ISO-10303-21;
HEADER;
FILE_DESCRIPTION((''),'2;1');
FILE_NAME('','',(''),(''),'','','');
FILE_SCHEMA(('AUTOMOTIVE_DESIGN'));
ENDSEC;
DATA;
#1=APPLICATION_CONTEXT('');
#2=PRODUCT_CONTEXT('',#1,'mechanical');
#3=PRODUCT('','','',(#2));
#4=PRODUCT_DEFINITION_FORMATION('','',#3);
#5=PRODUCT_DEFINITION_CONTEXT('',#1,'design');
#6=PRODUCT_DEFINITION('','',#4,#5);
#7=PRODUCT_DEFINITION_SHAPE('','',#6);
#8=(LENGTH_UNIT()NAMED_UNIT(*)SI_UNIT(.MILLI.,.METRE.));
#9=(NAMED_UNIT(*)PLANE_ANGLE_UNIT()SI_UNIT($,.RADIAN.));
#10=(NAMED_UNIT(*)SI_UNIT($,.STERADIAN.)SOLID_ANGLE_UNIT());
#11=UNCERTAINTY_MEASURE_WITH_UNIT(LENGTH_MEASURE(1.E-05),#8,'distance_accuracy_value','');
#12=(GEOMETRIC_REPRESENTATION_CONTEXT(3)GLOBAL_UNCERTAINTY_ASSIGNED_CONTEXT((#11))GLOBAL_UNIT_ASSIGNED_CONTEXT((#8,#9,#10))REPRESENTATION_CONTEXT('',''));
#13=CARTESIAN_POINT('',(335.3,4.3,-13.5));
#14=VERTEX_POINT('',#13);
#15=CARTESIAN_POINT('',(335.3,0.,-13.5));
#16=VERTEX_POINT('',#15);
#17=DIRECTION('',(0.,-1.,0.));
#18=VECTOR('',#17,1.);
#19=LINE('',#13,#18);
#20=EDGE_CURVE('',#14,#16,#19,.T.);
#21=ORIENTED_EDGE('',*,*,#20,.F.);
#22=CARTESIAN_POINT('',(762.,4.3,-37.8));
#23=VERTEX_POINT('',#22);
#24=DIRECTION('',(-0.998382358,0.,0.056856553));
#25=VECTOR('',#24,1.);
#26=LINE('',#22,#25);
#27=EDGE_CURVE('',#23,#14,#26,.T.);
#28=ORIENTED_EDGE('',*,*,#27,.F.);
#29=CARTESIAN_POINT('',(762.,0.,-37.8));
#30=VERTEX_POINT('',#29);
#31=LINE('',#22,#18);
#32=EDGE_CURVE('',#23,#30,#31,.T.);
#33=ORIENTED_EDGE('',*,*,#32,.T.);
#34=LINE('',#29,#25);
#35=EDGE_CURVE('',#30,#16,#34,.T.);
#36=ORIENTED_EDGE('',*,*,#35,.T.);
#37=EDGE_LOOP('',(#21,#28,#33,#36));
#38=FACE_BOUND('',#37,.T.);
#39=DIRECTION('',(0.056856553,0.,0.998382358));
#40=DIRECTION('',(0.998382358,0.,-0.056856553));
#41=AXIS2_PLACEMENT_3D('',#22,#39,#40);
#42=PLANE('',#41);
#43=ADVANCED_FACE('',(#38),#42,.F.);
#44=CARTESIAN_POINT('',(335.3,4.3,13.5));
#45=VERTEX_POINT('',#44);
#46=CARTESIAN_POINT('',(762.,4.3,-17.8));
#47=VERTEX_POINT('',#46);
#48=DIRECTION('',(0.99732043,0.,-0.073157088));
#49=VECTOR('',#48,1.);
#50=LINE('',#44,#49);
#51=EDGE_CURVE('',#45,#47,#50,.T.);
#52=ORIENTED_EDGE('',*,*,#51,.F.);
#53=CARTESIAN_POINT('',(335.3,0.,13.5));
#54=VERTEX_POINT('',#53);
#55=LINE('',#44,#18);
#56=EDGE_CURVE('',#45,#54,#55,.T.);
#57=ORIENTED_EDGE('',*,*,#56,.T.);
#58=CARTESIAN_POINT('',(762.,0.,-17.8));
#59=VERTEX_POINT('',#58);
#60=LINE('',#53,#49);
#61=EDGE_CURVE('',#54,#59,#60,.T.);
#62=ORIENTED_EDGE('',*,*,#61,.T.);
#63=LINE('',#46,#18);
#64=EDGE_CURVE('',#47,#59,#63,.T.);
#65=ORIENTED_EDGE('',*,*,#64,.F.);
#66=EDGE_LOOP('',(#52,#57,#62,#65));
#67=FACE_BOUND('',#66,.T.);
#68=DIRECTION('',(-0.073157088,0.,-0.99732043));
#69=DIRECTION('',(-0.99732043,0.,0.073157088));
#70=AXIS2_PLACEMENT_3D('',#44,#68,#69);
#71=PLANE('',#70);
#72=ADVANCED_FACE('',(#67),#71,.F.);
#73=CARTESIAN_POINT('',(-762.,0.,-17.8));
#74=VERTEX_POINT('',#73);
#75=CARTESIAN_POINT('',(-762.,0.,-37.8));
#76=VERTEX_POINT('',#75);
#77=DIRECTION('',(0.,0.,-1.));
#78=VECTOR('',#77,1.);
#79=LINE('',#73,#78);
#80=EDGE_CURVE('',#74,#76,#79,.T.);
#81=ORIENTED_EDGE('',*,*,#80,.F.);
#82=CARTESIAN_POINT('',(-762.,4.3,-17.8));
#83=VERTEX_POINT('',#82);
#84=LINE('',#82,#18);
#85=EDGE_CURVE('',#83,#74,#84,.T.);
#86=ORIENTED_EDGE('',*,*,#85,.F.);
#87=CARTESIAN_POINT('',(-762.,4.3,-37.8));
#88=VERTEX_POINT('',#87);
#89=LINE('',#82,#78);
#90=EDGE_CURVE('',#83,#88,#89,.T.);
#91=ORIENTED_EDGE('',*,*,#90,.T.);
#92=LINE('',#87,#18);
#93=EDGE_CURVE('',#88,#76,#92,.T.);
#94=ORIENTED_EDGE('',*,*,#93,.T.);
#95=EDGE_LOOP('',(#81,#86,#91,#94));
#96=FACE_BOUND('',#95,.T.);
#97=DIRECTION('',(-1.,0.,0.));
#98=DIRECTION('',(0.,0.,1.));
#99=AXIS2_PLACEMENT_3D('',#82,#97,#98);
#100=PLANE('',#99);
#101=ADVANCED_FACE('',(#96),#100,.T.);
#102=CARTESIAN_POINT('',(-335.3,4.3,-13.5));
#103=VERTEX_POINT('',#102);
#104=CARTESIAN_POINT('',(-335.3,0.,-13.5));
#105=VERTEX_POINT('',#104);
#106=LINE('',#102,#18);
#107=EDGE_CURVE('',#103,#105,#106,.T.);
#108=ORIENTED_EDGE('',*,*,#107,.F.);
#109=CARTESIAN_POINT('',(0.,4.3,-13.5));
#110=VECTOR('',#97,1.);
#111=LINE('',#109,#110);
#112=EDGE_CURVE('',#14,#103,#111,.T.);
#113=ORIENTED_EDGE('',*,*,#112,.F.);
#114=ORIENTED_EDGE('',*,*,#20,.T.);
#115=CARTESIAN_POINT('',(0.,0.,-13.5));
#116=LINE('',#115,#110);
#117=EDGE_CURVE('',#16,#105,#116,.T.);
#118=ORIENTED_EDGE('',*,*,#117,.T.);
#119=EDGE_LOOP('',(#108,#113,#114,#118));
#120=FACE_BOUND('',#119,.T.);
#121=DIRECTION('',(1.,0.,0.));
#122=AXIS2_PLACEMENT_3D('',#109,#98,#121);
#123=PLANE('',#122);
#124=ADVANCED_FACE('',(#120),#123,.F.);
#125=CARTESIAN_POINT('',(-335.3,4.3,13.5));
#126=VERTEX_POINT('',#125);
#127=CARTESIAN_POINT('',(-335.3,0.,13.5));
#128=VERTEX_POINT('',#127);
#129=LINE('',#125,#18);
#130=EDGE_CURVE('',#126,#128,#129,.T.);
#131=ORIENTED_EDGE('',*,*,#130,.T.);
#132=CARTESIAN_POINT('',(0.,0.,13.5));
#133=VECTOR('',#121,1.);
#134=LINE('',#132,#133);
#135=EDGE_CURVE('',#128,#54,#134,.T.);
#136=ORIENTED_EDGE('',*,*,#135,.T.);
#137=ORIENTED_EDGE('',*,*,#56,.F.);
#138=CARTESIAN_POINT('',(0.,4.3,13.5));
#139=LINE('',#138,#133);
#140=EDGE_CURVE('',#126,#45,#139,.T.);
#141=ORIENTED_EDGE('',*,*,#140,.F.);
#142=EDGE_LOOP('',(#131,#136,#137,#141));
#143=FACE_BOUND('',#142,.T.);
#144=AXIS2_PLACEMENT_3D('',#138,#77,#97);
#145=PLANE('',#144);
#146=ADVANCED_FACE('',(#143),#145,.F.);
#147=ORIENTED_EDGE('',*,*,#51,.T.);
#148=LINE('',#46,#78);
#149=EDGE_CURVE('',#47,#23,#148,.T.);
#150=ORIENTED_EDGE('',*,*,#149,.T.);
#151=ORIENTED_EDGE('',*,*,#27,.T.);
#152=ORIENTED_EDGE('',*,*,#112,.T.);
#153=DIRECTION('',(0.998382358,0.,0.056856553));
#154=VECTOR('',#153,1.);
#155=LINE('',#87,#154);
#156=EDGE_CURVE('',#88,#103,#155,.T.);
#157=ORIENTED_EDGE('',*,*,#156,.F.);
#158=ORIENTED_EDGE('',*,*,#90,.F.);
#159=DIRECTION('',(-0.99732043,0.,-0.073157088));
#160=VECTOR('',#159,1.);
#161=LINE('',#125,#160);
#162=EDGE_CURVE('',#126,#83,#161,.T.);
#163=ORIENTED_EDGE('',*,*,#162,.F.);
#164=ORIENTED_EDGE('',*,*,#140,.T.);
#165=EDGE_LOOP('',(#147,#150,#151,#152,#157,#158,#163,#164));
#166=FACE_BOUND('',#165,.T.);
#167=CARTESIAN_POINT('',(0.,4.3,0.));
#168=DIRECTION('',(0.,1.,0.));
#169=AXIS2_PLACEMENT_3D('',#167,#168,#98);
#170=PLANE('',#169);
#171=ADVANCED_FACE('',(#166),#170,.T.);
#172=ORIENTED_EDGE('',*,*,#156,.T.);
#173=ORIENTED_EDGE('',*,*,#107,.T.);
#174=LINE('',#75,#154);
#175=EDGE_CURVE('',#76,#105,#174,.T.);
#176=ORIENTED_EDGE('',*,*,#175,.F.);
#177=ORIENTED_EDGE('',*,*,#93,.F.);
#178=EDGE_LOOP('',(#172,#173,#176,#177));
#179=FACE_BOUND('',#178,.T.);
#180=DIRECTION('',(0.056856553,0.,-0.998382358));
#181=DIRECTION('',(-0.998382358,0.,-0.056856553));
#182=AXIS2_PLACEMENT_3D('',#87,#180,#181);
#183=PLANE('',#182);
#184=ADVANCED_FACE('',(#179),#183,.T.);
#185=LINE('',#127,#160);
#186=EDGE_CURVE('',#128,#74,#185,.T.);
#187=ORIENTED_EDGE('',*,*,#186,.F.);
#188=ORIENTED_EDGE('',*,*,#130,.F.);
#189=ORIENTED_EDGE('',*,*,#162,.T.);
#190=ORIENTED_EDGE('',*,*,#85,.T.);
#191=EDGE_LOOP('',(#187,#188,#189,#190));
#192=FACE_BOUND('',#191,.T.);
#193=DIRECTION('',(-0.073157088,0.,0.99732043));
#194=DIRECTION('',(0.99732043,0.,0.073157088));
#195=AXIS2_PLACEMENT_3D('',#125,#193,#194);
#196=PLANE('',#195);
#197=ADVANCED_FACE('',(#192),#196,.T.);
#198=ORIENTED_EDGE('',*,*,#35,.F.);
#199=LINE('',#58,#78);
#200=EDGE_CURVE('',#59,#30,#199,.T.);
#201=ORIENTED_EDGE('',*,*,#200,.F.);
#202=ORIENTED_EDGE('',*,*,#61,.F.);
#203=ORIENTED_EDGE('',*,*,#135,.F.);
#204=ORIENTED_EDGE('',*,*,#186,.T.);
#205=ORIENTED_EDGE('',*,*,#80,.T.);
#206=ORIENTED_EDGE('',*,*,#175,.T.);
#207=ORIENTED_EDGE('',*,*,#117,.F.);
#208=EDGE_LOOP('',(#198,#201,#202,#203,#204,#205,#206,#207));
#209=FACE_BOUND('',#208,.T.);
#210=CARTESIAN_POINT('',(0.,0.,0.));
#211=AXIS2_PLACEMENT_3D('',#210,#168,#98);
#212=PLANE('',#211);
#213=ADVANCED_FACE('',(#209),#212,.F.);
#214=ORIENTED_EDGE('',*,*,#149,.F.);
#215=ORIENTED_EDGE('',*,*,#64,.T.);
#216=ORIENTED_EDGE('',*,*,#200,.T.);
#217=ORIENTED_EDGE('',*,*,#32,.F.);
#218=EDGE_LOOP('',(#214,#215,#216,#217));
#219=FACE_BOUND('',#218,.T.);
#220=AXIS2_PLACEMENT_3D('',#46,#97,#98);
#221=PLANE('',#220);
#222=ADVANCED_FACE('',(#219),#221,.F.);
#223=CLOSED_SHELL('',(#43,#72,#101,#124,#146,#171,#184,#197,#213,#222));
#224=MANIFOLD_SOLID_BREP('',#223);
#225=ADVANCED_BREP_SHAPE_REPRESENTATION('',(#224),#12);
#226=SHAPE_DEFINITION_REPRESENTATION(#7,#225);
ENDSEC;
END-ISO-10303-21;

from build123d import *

# Parameters (mm, degrees)
BOSS_EXTRUDE1_DEPTH = 4.3


with BuildPart() as part:
    # Sketch1 → Boss-Extrude1 (new body)
    with BuildSketch(Plane(origin=(0, 0, 0), x_dir=(1, 0, 0), z_dir=(0, 1, 0))):
        Polygon((335.3, -13.5), (762, 17.8), (762, 37.8), (335.3, 13.5), (0, 13.5), (0, -13.5), align=None)
    boss_extrude1 = extrude(amount=BOSS_EXTRUDE1_DEPTH)

    # Mirror1: Boss-Extrude1 across plane
    add(boss_extrude1.mirror(Plane(origin=(0, 4.3, -13.5), x_dir=(0, 0, 1), z_dir=(1, 0, 0))))


solid = part.part
